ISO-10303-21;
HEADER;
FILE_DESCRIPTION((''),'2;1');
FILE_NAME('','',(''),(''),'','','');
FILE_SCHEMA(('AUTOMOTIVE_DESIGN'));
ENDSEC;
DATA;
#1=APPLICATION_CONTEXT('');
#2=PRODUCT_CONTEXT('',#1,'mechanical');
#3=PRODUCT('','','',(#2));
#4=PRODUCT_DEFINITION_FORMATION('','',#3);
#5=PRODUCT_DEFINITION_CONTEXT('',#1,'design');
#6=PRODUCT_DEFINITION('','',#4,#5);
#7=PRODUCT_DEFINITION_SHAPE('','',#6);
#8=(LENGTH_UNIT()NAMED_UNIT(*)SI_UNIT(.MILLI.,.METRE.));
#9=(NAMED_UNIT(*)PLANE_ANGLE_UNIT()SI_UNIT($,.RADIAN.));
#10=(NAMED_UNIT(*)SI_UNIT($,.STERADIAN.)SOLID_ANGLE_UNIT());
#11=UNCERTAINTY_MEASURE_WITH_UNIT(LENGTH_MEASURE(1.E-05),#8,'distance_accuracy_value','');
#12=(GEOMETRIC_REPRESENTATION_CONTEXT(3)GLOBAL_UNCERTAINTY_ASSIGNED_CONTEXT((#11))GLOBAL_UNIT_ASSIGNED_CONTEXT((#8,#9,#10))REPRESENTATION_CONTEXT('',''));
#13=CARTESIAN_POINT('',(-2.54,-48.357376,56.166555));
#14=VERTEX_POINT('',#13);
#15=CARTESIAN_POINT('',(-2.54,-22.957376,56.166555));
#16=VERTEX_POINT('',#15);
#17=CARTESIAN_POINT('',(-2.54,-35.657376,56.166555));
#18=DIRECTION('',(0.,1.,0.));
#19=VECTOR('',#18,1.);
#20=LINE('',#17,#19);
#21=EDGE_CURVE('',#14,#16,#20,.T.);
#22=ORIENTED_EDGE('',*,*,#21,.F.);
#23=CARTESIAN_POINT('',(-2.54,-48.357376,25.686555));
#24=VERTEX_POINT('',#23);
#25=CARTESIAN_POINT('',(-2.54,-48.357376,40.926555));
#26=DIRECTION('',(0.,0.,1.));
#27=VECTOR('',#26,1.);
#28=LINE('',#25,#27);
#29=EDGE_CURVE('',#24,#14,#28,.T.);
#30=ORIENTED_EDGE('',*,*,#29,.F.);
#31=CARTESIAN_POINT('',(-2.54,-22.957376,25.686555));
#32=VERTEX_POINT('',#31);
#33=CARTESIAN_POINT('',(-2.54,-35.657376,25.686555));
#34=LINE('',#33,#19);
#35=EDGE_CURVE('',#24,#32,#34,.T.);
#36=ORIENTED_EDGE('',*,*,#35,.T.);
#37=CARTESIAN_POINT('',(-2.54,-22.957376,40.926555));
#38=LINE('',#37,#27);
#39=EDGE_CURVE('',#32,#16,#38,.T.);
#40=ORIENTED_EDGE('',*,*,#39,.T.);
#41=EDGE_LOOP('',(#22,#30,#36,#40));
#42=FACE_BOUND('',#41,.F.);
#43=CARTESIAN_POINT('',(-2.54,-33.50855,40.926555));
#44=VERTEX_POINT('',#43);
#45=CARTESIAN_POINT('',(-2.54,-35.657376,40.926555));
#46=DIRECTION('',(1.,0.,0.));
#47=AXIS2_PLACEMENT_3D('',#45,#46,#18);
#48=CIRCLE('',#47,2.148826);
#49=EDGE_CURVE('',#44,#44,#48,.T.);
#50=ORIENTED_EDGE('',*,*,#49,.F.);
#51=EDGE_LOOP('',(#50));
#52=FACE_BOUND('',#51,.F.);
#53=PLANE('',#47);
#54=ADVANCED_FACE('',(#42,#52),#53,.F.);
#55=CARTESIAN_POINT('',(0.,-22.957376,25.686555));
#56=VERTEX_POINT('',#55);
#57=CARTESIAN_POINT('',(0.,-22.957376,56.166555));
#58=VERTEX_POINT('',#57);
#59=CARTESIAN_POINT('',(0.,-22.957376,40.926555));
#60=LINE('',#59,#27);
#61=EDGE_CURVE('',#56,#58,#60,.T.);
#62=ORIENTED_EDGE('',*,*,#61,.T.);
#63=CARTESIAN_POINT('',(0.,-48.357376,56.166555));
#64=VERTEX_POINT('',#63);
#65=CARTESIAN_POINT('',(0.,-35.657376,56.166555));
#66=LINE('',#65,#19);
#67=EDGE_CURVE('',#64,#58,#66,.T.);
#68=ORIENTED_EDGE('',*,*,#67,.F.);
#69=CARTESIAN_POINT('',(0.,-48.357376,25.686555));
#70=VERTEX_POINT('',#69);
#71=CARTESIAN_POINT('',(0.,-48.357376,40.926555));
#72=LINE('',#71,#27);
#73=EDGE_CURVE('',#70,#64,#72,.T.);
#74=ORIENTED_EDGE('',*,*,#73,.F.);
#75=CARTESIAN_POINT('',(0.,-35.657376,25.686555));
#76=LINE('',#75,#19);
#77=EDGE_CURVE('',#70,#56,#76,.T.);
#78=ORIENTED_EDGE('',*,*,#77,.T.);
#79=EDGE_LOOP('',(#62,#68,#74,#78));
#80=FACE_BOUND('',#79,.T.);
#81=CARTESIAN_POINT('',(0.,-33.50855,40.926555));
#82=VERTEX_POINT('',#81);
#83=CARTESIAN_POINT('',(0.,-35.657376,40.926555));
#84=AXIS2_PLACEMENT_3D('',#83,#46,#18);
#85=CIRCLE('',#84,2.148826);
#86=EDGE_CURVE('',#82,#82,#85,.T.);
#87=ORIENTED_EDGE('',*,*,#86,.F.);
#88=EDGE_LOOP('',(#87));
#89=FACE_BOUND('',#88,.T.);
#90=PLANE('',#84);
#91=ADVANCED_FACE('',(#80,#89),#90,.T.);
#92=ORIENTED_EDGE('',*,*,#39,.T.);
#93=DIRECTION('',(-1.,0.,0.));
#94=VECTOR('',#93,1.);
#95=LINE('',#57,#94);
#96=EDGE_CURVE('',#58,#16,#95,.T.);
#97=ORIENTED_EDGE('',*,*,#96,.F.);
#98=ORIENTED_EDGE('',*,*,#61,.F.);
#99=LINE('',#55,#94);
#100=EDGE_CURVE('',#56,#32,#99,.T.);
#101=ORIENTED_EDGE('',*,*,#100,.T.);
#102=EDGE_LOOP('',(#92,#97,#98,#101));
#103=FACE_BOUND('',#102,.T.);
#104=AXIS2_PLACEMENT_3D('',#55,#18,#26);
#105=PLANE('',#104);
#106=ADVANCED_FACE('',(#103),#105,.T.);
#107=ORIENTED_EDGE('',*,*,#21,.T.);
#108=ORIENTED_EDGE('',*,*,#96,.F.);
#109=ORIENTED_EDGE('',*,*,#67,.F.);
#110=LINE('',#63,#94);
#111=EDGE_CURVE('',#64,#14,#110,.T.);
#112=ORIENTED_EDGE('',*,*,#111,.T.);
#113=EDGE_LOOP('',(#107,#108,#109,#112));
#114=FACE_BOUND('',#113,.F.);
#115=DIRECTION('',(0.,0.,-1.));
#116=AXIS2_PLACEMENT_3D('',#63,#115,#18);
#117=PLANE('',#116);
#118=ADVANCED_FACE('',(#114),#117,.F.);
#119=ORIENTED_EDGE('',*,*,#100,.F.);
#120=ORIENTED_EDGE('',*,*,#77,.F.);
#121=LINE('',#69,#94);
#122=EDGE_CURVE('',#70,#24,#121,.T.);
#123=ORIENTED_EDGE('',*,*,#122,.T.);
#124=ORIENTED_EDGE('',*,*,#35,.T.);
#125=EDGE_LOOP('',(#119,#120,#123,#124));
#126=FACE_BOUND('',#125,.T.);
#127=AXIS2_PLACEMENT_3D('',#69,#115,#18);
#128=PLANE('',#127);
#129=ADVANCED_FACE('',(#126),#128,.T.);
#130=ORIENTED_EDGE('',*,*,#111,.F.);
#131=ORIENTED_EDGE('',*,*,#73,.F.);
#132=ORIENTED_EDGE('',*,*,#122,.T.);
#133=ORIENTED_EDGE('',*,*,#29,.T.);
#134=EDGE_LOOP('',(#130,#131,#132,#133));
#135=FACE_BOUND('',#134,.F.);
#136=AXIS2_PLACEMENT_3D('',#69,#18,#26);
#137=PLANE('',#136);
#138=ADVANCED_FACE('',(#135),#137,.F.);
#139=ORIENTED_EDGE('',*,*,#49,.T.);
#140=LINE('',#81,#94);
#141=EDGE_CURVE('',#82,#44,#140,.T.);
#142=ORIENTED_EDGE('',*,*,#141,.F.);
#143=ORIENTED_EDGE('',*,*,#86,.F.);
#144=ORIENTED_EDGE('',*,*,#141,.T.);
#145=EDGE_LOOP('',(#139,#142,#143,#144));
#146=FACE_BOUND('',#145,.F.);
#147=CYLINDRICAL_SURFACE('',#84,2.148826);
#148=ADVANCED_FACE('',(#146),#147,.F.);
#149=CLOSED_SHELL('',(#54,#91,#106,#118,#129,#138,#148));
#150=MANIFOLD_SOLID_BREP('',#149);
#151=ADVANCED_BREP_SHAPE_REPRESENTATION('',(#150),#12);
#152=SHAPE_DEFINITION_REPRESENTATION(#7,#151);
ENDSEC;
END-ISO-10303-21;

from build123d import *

# Parameters (mm, degrees)
F0_W     = 25.4
F0_H     = 30.48
F0_R     = 2.148826
F1_DEPTH = 2.54


with BuildPart() as f1:
    # F0 (on Right) → F1 (new body)
    with BuildSketch(Plane.YZ):
        with Locations((-35.657376, 40.926555)):
            Rectangle(F0_W, F0_H)
        with Locations((-35.657376, 40.926555)):
            Circle(F0_R, mode=Mode.SUBTRACT)
    extrude(amount=-F1_DEPTH)


solid = f1.part
